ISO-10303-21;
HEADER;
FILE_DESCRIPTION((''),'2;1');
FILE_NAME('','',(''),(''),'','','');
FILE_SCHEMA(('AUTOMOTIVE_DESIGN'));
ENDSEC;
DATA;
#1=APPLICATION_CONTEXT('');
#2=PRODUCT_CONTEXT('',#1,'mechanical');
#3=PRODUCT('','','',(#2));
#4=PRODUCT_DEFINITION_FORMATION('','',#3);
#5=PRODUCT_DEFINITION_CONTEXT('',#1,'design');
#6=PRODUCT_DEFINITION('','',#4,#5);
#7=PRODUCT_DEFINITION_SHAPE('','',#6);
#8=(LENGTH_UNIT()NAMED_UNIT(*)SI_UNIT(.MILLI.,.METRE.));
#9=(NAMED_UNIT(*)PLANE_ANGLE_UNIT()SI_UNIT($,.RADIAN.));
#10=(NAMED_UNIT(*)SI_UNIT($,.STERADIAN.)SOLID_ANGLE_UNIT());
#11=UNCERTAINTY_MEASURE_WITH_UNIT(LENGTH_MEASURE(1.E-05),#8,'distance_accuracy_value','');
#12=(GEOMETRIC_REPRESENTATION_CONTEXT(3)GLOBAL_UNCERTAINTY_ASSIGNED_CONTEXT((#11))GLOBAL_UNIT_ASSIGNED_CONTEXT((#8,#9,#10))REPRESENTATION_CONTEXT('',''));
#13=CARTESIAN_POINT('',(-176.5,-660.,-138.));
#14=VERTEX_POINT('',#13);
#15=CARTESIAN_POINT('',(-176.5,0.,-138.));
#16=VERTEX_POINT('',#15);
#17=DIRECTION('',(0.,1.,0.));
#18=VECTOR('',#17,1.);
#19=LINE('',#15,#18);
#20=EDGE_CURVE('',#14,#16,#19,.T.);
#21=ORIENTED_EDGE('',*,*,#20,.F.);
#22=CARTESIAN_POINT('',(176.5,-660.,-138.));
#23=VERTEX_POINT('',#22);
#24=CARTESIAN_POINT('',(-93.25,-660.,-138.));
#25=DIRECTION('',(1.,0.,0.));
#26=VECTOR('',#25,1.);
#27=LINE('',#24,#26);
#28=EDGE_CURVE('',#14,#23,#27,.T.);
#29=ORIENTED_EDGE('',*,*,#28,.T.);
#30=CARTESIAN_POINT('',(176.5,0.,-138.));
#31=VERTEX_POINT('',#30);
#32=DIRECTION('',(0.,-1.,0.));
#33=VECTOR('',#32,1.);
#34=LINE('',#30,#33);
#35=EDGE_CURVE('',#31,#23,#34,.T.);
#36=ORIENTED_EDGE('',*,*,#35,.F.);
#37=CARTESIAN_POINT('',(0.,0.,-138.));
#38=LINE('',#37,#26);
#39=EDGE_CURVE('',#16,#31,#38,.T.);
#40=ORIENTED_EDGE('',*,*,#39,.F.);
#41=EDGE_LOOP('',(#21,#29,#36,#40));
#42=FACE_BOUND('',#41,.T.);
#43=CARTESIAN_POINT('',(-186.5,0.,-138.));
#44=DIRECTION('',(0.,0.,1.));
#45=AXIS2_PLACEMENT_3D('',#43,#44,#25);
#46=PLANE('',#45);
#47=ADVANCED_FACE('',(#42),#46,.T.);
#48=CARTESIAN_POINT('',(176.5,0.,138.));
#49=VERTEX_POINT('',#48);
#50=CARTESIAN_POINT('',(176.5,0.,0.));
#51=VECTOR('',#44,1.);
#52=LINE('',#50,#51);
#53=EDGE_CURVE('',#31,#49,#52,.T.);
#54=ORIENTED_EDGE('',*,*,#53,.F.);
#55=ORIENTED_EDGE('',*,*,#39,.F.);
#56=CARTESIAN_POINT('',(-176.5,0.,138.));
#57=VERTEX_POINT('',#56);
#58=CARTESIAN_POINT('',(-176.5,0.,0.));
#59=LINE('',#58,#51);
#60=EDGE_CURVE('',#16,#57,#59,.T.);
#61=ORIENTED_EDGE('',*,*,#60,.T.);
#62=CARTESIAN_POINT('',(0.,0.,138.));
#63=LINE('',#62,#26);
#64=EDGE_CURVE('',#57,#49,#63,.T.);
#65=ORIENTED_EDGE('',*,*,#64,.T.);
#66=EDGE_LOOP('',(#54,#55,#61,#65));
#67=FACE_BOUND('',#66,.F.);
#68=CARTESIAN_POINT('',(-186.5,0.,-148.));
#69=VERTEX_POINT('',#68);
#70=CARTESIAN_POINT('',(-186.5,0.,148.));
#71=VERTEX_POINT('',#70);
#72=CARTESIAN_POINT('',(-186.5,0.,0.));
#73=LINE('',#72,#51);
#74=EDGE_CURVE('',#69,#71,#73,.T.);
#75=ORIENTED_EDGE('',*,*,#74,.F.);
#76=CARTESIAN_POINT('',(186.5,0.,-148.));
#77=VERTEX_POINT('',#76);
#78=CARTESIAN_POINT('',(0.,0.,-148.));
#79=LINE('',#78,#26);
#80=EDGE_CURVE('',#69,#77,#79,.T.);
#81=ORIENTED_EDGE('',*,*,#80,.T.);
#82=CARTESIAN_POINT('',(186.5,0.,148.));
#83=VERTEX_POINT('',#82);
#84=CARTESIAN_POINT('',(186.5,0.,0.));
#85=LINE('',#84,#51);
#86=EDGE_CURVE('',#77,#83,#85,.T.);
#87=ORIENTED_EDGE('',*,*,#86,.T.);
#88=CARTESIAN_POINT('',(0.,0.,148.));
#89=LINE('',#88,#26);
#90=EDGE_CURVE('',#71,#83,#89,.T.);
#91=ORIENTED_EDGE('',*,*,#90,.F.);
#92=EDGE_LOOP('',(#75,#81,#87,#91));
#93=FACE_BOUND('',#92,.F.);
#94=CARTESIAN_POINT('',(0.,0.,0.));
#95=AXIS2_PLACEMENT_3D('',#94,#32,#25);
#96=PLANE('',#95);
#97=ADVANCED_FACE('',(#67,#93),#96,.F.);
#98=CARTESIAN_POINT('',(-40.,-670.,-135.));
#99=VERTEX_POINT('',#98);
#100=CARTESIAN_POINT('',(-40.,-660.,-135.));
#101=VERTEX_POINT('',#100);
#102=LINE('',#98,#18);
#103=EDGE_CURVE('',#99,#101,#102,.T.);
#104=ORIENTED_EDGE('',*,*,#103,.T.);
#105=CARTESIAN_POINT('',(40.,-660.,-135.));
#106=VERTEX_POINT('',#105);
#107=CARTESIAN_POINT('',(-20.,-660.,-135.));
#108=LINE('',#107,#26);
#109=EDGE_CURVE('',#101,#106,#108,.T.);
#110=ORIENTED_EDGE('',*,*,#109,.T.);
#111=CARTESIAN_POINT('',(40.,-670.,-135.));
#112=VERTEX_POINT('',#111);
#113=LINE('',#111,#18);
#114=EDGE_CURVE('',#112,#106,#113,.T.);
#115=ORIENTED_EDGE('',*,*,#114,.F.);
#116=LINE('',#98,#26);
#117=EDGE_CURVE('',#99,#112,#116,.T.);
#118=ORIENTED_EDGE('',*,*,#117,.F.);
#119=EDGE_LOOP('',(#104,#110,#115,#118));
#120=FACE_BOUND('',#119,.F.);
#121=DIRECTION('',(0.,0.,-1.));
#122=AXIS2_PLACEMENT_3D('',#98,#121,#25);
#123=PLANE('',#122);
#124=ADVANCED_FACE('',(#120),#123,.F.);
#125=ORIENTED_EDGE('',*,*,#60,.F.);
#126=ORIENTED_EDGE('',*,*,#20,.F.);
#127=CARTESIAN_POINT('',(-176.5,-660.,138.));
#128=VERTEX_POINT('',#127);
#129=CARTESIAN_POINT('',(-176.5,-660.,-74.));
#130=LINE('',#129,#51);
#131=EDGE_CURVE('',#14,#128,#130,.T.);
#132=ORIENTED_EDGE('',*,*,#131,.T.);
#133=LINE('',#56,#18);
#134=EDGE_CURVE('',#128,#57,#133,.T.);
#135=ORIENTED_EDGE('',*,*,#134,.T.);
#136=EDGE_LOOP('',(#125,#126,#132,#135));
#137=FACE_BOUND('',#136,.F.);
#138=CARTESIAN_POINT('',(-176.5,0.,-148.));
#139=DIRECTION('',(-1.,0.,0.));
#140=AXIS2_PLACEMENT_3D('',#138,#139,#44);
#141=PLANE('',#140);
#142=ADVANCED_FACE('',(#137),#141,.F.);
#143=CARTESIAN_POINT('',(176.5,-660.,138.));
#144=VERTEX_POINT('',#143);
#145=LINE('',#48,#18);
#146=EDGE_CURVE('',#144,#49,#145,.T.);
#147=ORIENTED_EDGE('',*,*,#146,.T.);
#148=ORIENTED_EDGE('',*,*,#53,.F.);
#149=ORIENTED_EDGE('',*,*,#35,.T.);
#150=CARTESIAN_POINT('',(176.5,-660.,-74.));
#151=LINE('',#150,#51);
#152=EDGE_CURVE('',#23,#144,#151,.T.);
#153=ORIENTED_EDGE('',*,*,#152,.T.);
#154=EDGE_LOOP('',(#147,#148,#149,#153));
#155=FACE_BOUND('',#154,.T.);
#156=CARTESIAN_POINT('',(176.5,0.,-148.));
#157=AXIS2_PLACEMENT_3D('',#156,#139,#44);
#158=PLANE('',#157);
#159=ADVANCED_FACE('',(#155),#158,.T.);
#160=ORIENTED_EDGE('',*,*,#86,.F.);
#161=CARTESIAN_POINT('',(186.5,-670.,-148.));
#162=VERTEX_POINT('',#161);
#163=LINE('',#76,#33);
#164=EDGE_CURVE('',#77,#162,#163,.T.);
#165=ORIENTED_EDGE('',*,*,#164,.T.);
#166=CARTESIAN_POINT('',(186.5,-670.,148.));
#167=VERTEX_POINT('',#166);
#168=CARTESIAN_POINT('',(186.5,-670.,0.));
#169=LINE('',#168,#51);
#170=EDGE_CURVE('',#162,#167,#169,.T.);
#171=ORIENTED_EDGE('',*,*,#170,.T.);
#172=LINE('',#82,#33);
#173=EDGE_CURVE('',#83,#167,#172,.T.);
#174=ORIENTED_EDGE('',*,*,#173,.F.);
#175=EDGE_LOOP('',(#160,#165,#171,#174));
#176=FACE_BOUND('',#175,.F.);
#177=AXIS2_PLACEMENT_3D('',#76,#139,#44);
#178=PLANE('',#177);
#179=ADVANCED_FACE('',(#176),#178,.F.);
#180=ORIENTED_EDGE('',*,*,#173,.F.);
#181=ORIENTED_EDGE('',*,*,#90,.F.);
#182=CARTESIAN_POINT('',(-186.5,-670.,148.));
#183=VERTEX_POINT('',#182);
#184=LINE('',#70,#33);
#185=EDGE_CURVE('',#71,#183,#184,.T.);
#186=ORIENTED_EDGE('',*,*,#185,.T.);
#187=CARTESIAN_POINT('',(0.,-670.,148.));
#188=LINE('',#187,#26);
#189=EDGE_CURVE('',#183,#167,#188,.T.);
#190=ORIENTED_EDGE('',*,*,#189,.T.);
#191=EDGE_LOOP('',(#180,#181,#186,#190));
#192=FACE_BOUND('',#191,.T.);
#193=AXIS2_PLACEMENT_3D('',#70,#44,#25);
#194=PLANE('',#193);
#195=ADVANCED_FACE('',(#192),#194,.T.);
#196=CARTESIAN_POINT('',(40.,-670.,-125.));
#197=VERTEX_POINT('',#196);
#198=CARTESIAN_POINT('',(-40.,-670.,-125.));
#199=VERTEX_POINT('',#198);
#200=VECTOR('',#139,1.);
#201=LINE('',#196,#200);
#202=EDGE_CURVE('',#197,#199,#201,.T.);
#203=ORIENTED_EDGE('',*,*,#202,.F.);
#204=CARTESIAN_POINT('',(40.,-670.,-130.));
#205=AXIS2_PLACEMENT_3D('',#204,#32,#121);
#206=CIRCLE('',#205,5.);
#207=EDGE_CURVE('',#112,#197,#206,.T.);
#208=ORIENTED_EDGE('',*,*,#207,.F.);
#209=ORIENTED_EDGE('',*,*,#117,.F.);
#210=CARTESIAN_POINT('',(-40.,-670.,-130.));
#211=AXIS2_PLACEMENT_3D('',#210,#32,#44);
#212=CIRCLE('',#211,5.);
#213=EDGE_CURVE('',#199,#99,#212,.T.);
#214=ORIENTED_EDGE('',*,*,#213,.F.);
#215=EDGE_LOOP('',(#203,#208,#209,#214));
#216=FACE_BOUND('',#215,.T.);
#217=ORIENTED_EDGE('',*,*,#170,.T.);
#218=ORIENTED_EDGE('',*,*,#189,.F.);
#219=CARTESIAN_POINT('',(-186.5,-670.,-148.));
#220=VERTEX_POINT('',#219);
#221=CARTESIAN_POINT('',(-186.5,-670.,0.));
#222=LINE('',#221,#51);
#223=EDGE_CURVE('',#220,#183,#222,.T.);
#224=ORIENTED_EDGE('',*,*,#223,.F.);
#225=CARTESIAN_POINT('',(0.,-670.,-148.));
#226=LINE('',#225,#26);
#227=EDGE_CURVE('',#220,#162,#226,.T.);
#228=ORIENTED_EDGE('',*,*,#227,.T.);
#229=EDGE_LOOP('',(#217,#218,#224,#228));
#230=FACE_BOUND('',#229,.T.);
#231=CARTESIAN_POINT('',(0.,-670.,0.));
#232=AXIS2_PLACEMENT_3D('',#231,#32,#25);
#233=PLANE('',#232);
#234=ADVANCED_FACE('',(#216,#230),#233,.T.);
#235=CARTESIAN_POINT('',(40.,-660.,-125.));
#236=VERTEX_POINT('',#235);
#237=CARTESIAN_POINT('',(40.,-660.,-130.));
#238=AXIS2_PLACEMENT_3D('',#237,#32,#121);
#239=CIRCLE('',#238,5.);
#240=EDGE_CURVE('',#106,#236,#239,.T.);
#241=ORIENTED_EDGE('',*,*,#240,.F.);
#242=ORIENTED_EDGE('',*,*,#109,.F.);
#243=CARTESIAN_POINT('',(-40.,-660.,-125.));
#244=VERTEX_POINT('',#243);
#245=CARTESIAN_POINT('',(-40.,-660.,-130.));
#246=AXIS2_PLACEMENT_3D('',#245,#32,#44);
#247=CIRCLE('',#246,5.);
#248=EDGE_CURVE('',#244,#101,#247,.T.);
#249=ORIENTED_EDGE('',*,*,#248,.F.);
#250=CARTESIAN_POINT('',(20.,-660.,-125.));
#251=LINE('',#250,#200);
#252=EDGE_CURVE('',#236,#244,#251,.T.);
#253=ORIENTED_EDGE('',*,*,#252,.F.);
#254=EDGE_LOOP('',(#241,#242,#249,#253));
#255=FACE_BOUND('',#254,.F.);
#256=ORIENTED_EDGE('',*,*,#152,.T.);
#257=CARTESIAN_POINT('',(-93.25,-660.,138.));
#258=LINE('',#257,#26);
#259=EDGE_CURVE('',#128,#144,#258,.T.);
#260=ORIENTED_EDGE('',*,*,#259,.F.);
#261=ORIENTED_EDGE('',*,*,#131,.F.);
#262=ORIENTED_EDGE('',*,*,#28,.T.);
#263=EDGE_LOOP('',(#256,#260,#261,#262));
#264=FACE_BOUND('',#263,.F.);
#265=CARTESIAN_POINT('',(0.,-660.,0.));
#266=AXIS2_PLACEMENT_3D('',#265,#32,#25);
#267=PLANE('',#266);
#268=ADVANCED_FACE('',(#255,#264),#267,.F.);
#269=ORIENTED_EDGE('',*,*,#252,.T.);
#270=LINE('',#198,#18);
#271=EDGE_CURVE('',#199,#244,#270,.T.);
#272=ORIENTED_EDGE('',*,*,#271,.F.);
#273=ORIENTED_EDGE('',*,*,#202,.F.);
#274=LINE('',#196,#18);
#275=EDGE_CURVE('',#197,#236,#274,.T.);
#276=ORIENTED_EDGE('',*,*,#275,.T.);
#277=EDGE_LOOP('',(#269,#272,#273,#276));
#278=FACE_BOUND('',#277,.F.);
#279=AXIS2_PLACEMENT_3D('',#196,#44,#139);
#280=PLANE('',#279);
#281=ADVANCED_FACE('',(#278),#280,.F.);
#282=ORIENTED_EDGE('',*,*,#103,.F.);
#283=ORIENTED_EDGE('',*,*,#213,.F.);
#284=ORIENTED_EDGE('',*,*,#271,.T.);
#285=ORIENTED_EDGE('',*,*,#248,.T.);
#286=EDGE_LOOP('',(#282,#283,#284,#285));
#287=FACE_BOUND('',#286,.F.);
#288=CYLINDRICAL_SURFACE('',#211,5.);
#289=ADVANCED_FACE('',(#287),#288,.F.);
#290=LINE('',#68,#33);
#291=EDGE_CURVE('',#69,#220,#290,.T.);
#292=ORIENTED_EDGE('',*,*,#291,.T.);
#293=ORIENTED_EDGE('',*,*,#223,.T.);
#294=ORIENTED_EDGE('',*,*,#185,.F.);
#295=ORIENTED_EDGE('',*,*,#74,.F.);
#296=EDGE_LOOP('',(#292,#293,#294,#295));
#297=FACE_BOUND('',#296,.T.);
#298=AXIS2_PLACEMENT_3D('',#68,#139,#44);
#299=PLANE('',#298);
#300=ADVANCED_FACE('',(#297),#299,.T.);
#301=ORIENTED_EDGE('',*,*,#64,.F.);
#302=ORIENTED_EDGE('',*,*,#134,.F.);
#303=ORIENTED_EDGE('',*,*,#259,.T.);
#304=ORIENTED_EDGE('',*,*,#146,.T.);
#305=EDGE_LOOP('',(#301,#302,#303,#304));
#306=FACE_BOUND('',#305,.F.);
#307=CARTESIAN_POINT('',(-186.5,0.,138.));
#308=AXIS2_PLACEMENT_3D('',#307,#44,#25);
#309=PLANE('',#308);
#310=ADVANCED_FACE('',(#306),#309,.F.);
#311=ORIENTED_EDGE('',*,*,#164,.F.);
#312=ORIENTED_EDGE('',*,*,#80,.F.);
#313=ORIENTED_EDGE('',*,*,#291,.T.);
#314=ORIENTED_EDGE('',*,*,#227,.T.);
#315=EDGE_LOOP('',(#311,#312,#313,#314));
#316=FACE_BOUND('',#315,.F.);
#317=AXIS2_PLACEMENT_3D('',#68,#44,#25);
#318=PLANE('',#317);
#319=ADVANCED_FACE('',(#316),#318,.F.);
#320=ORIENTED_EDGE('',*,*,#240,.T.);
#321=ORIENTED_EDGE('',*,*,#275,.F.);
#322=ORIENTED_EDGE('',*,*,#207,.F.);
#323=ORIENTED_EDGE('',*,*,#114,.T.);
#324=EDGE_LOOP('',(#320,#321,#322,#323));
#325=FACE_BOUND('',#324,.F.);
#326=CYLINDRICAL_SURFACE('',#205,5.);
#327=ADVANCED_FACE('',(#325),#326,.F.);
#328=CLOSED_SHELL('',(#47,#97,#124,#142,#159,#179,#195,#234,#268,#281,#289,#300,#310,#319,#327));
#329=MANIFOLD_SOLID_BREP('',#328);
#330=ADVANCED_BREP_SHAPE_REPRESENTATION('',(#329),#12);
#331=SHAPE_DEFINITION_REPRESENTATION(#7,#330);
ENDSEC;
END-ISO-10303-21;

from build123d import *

# Parameters (mm, degrees)
F0_W     = 373
F0_H     = 296
F1_DEPTH = 670
F2_T     = -10
F4_DEPTH = 25


with BuildPart() as f1:
    # F0 (on Front) → F1 (new body)
    with BuildSketch(Plane.XZ):
        Rectangle(F0_W, F0_H)
    extrude(amount=F1_DEPTH)

    # F2
    f2_openings = [f1.faces().sort_by_distance(p)[0] for p in [
        (0, 0, 0),
    ]]
    offset(amount=F2_T, openings=f2_openings)

    # F3 (on face) → F4 (cut)
    with BuildSketch(Plane.XZ.offset(670)):
        with BuildLine():
            ThreePointArc((-40, -125), (-45, -130), (-40, -135))
            Line((-40, -135), (40, -135))
            ThreePointArc((40, -135), (45, -130), (40, -125))
            Line((40, -125), (-40, -125))
        make_face()
    extrude(amount=-F4_DEPTH, mode=Mode.SUBTRACT)


solid = f1.part
